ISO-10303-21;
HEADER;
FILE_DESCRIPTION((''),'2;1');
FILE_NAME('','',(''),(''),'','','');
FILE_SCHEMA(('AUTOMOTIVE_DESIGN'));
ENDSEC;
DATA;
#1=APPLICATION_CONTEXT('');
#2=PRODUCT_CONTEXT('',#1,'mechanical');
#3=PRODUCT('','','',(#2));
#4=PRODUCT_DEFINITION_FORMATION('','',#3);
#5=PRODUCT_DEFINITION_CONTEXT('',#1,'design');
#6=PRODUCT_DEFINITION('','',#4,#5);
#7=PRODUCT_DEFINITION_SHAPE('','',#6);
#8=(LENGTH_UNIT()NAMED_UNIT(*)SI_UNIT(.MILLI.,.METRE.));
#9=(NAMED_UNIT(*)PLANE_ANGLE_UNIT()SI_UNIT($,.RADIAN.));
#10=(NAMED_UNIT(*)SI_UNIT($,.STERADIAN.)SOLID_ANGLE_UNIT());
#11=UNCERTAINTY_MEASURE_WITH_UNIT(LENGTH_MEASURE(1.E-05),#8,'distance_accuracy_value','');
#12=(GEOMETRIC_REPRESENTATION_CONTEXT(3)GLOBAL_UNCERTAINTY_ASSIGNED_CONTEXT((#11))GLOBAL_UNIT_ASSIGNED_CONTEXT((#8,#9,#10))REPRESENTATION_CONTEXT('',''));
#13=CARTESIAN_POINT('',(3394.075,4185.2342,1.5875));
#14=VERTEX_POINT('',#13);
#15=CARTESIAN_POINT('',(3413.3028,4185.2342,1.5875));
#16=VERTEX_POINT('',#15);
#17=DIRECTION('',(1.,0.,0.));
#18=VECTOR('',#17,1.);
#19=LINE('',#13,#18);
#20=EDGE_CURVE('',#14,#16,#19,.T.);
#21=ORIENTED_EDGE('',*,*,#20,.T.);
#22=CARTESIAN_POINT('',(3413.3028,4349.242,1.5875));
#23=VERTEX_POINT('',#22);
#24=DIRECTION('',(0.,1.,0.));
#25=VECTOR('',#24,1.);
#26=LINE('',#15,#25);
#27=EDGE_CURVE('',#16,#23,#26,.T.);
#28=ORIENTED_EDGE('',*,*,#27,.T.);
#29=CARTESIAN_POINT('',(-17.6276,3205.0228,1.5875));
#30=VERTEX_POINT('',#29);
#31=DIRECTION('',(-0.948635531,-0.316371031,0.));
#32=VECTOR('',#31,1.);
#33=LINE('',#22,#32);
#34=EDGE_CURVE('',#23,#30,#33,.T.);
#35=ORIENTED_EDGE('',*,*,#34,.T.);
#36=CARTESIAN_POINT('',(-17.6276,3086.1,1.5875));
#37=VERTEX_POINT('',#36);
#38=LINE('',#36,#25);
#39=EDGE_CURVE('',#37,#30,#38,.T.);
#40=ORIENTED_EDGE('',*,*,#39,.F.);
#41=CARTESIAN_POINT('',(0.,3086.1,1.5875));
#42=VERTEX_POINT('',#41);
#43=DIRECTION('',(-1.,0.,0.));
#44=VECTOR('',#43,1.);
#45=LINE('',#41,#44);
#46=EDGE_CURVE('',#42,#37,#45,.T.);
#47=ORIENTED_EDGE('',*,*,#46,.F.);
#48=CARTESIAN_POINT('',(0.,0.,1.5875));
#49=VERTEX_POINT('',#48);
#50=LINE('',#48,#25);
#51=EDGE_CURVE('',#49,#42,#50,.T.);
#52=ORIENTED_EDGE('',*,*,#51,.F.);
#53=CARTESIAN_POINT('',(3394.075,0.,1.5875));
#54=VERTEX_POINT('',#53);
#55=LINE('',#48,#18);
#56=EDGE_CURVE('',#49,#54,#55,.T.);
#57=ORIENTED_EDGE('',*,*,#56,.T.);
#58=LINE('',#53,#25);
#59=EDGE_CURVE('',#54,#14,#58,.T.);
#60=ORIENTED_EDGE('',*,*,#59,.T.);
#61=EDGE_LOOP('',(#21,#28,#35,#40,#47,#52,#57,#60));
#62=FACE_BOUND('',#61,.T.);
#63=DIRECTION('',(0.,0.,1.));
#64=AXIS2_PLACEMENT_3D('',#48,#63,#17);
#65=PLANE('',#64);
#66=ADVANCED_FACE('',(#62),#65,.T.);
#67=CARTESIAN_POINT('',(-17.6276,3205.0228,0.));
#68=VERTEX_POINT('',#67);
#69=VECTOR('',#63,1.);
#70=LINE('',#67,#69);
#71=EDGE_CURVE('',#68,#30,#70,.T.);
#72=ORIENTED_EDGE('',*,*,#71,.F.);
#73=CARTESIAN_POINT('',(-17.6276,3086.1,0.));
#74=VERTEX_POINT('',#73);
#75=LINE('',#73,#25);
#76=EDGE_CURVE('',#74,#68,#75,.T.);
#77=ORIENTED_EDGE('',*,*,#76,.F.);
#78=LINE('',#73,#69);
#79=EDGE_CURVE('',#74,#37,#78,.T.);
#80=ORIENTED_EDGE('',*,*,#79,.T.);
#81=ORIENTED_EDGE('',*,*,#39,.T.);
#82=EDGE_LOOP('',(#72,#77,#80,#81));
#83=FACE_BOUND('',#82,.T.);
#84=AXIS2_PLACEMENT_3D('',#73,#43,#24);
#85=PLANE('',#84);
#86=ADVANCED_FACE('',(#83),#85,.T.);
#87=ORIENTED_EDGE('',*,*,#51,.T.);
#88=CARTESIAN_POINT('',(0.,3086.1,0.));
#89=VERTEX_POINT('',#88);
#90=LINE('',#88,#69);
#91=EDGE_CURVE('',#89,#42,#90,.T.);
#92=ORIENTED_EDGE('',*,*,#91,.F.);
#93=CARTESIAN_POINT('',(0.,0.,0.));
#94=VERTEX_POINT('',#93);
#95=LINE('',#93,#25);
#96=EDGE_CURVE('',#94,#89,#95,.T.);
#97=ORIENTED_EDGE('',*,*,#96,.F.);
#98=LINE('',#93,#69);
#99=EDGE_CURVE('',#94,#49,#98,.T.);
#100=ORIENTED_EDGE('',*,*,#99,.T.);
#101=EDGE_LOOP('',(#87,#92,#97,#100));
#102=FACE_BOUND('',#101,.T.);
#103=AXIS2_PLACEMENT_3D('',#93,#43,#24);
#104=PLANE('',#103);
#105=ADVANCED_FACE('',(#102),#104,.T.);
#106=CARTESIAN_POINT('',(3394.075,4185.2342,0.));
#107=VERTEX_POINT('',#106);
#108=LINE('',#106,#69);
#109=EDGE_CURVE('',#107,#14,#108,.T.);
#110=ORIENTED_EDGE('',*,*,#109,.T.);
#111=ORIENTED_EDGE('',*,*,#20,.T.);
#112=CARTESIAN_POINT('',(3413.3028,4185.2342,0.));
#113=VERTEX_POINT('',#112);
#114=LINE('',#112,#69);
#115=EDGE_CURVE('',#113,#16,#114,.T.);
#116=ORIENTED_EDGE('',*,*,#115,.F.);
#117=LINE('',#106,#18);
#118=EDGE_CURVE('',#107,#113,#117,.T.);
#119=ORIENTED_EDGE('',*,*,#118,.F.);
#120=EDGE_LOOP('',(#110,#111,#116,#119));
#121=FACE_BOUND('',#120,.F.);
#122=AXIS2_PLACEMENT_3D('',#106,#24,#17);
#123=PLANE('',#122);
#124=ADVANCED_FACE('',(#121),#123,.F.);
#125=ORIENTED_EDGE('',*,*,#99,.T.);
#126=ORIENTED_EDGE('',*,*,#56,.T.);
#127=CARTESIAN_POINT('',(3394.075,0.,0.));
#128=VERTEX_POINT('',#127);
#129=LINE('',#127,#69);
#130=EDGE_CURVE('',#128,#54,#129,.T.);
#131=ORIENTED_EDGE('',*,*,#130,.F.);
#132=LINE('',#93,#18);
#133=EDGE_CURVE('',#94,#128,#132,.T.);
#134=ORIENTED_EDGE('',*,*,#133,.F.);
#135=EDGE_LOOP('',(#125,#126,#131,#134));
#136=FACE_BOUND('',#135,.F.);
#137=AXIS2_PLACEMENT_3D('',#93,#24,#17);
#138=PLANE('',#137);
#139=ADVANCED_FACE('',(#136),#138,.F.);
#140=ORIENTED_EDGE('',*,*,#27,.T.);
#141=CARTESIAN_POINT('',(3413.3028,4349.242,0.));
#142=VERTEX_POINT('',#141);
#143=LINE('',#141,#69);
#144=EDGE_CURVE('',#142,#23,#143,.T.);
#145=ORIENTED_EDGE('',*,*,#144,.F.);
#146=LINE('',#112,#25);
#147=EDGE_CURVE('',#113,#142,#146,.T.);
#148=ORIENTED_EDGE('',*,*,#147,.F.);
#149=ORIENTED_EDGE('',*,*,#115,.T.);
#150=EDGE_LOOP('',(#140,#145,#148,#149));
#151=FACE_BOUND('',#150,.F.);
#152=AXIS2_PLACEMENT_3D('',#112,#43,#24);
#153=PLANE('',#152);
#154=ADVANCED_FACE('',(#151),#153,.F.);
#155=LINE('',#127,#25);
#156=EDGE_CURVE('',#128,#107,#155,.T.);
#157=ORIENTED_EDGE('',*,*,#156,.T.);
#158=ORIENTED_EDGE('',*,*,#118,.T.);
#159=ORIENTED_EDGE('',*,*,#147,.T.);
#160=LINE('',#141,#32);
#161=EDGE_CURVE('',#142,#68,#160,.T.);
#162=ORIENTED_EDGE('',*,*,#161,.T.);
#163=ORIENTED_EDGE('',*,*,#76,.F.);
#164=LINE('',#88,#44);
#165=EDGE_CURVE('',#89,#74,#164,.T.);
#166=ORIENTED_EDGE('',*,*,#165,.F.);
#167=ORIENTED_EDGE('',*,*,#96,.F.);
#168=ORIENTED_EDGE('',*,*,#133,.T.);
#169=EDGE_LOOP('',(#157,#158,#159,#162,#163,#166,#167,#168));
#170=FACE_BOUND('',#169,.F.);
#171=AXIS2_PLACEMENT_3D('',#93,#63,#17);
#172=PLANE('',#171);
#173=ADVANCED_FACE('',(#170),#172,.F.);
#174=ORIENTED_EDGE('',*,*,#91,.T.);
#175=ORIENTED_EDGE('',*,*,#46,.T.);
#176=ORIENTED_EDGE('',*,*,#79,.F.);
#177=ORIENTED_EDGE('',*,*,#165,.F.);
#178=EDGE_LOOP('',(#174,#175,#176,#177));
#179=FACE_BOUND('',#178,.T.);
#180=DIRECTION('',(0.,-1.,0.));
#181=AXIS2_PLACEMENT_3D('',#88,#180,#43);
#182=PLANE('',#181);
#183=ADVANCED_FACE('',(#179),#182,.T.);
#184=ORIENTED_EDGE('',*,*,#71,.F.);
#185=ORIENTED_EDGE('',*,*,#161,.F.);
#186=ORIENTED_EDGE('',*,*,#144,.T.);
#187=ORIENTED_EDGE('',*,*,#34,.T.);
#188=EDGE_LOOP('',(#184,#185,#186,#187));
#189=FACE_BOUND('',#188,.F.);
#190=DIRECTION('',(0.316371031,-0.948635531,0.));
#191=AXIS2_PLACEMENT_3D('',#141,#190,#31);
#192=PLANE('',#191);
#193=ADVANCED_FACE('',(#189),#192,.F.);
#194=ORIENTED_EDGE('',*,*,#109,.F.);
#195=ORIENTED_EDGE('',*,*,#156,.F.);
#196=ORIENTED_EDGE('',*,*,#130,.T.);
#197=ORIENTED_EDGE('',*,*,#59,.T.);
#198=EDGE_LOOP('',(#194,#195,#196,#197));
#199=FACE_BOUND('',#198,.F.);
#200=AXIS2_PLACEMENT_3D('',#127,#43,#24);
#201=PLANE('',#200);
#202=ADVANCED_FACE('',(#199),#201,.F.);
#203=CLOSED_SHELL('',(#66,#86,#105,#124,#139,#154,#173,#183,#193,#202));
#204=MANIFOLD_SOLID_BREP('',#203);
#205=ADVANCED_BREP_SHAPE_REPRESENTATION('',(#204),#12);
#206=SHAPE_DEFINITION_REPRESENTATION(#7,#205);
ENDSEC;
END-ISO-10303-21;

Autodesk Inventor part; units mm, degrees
ref_plane "YZ Plane" through (0, 0, 0) normal (1, 0, 0) x (0, 1, 0)
ref_plane "XZ Plane" through (0, 0, 0) normal (0, 1, 0) x (-1, 0, 0)
ref_plane "XY Plane" through (0, 0, 0) normal (0, 0, 1) x (1, 0, 0)
sketch "Sketch1" plane through (0, 0, 0) normal (0, 0, 1) x (1, 0, 0)
  line L0 (0, 0) -> (0, 3086.1)
  line L1 (0, 3086.1) -> (-17.6276, 3086.1)
  line L2 (-17.6276, 3086.1) -> (-17.6276, 3205.0228)
  line L3 (0, 0) -> (3394.075, 0)
  line L4 (3394.075, 0) -> (3394.075, 4185.2342)
  line L5 (3394.075, 4185.2342) -> (3413.3028, 4185.2342)
  line L6 (3413.3028, 4185.2342) -> (3413.3028, 4349.242)
  line L7 (3413.3028, 4349.242) -> (-17.6276, 3205.0228)
  dimension "d1" = 3086.1
  dimension "d2" = 17.6276
  dimension "d3" = 118.9228
  dimension "d4" = 3394.075
  dimension "d5" = 4185.2342
  dimension "d6" = 19.2278
  dimension "d7" = 164.0078
extrude "Extrusion1" add sketch "Sketch1" along normal blind 1.5875
properties part number "Underlayment_For_Side"
